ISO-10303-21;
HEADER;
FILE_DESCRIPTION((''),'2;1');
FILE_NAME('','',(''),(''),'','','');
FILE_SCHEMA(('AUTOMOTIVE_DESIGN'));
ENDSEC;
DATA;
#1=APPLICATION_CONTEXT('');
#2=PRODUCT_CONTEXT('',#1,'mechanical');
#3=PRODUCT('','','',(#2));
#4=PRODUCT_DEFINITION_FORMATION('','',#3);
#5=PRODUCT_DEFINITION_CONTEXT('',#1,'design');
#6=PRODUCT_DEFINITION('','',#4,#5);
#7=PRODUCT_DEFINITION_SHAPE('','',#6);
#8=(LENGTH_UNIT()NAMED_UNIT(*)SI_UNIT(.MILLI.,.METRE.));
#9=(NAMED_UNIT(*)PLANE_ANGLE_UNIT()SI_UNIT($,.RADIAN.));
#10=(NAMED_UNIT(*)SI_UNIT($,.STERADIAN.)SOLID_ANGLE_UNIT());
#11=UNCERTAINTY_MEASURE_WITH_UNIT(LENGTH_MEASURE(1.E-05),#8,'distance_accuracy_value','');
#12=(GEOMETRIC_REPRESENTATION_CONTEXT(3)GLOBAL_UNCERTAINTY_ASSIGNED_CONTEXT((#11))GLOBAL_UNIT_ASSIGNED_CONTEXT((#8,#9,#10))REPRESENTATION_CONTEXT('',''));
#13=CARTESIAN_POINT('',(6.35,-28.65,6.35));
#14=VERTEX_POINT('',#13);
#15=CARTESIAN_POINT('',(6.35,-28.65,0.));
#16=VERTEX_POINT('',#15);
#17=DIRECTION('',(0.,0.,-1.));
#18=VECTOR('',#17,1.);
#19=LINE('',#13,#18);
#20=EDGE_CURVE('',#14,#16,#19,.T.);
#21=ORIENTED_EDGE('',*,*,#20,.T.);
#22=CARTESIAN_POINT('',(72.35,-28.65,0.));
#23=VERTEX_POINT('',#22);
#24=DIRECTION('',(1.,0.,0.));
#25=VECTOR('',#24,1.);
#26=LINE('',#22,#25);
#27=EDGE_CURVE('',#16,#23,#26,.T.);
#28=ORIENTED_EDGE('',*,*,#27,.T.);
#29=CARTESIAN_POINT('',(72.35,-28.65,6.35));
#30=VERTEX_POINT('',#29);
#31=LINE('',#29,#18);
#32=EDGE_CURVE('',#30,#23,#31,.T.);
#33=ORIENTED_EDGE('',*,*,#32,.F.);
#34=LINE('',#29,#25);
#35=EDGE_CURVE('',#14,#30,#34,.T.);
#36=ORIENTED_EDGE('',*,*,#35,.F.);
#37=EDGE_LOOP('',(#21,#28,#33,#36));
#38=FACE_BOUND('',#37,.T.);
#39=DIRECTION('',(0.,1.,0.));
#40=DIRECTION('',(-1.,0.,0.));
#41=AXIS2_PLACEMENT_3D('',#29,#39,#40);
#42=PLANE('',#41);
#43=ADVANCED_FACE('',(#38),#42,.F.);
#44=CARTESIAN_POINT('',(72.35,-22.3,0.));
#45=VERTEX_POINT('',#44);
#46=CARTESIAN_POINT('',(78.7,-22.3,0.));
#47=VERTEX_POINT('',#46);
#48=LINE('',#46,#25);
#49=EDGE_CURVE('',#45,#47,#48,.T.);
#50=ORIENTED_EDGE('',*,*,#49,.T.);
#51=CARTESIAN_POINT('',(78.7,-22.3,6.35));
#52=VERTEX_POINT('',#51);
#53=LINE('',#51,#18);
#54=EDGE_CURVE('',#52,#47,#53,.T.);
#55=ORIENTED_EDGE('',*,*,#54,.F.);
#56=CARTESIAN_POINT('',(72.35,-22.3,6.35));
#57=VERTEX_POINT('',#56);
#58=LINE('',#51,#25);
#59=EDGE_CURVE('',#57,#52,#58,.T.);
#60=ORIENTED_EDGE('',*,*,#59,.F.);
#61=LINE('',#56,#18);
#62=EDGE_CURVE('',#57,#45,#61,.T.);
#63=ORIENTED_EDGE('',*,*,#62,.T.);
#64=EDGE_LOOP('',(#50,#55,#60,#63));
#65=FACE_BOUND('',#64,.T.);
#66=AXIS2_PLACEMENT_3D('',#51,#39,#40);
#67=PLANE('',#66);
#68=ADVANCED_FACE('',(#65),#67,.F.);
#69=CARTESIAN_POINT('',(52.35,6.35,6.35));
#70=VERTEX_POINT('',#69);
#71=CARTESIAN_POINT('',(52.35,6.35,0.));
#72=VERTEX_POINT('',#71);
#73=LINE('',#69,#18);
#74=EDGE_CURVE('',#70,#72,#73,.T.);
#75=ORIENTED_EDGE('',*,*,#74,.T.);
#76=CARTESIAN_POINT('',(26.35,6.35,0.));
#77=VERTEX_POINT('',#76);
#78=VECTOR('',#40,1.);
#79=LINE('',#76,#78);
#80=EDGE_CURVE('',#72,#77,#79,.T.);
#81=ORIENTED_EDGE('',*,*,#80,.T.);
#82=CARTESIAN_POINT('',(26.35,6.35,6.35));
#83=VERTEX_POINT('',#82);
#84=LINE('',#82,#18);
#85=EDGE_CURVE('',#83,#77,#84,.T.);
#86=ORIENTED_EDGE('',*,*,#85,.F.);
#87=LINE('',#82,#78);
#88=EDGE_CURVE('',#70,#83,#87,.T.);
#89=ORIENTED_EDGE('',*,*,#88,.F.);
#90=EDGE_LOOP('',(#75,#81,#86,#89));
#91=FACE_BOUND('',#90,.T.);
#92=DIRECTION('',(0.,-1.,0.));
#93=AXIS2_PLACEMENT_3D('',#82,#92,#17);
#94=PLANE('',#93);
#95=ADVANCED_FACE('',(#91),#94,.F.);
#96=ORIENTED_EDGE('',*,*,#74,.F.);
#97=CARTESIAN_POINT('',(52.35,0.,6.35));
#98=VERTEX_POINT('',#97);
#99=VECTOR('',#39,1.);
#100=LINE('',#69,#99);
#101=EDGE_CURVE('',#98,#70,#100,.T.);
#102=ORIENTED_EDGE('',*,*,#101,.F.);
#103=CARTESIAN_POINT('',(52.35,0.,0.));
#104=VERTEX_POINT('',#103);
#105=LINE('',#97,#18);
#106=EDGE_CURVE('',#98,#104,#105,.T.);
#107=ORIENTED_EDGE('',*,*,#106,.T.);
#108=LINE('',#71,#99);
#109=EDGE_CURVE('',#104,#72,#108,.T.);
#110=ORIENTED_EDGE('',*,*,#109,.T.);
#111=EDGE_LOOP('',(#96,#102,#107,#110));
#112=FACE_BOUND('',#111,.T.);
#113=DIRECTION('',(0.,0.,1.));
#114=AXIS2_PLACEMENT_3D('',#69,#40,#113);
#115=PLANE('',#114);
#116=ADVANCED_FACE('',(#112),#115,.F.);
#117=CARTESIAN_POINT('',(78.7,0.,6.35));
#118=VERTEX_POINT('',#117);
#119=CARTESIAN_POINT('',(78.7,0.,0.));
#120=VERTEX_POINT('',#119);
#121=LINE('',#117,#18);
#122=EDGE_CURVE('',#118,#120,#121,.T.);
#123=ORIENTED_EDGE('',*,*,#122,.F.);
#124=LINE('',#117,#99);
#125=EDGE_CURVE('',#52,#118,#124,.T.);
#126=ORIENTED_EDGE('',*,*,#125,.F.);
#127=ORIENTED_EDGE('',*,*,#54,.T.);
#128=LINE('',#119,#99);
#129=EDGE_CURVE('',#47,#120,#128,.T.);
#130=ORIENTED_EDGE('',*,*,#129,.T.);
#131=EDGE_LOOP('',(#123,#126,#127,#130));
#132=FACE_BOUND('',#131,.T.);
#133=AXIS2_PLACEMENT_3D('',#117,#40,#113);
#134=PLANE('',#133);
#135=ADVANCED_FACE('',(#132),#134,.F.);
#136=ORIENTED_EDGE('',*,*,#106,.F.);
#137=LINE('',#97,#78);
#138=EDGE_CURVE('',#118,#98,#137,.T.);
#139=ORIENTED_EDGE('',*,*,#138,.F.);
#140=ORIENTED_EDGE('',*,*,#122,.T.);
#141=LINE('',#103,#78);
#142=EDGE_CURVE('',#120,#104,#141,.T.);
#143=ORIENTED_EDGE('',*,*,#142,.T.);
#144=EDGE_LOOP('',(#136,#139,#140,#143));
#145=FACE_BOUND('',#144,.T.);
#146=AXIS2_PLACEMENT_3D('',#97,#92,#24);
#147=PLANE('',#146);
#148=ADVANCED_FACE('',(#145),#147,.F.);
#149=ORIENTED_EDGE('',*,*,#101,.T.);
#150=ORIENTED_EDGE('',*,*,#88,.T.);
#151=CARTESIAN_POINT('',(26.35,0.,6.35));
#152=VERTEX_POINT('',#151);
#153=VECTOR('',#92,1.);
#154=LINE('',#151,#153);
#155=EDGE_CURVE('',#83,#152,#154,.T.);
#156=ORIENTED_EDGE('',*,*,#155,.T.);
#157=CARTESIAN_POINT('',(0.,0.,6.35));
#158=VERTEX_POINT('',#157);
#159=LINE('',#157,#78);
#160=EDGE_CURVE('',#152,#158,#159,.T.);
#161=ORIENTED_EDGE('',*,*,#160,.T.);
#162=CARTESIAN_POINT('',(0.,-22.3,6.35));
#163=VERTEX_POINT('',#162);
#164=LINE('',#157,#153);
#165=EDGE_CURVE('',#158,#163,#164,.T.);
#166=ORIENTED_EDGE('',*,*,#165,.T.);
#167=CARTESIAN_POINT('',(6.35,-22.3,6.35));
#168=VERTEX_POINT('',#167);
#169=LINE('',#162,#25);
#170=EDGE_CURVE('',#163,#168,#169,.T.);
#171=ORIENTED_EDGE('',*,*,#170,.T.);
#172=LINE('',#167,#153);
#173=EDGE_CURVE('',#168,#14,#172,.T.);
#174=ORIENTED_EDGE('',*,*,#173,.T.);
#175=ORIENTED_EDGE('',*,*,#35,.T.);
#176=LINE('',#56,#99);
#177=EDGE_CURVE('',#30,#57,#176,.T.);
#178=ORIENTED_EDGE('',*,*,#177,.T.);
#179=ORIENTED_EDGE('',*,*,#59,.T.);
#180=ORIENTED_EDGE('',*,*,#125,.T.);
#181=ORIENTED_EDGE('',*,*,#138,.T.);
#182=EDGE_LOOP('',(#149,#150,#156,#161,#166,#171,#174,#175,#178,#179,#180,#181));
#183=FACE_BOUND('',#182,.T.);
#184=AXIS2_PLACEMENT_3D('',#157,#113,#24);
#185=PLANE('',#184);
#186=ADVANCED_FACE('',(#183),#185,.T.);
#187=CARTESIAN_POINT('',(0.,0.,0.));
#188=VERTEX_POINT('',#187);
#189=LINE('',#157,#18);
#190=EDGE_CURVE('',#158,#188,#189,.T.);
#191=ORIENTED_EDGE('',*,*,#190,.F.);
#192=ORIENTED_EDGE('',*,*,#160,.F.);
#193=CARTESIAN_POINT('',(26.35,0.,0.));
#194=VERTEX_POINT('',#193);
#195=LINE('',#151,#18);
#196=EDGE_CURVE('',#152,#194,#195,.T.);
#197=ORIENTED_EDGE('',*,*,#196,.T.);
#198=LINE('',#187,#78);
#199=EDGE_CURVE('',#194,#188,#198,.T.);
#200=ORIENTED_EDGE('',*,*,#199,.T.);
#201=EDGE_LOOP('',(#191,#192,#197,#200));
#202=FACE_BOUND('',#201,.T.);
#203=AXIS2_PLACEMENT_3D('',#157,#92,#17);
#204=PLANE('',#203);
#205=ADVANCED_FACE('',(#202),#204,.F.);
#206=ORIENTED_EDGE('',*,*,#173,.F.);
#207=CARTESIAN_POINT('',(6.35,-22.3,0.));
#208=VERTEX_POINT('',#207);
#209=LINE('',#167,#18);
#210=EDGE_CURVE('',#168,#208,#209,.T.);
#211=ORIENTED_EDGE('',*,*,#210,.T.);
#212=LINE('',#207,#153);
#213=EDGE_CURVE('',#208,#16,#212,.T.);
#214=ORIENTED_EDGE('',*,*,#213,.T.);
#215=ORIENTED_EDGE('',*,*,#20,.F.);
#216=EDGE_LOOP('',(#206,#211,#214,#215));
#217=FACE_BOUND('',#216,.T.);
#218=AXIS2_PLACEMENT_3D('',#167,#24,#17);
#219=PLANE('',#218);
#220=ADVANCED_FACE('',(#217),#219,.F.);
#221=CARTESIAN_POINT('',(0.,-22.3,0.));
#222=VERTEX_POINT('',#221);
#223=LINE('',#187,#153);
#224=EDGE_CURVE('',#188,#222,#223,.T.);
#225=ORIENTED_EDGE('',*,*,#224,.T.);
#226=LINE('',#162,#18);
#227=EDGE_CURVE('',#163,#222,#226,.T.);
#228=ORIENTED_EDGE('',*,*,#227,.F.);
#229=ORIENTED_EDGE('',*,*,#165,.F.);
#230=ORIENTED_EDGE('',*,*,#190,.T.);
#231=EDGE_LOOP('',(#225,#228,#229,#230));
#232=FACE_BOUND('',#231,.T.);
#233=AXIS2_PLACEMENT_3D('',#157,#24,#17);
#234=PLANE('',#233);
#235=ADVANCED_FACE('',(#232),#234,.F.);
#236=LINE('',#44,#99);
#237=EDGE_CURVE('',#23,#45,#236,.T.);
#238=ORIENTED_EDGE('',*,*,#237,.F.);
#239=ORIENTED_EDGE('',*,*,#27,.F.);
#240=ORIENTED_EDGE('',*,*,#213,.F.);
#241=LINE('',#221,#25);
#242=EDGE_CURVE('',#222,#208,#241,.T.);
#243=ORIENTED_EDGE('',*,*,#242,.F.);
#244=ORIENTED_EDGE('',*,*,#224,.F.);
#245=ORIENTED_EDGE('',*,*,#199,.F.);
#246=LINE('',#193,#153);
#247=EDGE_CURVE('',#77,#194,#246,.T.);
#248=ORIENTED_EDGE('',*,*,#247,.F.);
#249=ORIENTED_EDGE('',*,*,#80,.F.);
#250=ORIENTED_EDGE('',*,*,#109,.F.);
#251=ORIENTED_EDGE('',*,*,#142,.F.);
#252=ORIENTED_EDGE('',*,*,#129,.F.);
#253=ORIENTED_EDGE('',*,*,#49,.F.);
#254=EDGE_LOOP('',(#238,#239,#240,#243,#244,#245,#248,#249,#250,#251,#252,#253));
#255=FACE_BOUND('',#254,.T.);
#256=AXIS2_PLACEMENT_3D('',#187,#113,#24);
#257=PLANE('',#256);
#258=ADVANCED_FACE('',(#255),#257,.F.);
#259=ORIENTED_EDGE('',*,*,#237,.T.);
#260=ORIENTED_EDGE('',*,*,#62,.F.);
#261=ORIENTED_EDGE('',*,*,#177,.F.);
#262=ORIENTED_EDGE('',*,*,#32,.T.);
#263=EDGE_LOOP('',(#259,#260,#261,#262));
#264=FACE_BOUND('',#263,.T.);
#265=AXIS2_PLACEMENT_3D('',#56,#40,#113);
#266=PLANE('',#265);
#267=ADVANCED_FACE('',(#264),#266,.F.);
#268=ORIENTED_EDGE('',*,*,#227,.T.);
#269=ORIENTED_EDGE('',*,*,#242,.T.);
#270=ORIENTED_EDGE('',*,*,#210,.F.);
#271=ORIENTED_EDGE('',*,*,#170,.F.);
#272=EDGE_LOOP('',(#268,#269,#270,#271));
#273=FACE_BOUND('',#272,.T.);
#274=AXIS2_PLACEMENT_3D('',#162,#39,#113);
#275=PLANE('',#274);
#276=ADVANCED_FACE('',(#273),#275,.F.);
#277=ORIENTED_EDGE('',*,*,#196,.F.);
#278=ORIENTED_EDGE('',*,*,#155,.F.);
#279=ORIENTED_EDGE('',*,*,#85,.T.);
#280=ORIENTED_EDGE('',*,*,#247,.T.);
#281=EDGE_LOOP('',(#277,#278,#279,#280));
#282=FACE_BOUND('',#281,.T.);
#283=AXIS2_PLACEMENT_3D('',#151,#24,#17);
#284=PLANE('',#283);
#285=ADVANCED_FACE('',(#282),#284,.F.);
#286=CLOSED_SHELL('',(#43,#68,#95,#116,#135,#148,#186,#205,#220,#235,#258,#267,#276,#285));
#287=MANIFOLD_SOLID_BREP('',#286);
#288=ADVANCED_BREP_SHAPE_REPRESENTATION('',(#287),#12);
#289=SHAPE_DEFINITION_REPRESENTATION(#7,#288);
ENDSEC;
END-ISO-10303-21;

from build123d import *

# Parameters (mm, degrees)
BOSS_EXTRUDE1_DEPTH = 6.35


with BuildPart() as part:
    # Sketch1 → Boss-Extrude1 (new body)
    with BuildSketch(Plane.XY):
        Polygon((0, 0), (26.35, 0), (26.35, 6.35), (52.35, 6.35), (52.35, 0), (78.7, 0), (78.7, -22.3), (72.35, -22.3), (72.35, -28.65), (6.35, -28.65), (6.35, -22.3), (0, -22.3), align=None)
    extrude(amount=BOSS_EXTRUDE1_DEPTH)


solid = part.part
